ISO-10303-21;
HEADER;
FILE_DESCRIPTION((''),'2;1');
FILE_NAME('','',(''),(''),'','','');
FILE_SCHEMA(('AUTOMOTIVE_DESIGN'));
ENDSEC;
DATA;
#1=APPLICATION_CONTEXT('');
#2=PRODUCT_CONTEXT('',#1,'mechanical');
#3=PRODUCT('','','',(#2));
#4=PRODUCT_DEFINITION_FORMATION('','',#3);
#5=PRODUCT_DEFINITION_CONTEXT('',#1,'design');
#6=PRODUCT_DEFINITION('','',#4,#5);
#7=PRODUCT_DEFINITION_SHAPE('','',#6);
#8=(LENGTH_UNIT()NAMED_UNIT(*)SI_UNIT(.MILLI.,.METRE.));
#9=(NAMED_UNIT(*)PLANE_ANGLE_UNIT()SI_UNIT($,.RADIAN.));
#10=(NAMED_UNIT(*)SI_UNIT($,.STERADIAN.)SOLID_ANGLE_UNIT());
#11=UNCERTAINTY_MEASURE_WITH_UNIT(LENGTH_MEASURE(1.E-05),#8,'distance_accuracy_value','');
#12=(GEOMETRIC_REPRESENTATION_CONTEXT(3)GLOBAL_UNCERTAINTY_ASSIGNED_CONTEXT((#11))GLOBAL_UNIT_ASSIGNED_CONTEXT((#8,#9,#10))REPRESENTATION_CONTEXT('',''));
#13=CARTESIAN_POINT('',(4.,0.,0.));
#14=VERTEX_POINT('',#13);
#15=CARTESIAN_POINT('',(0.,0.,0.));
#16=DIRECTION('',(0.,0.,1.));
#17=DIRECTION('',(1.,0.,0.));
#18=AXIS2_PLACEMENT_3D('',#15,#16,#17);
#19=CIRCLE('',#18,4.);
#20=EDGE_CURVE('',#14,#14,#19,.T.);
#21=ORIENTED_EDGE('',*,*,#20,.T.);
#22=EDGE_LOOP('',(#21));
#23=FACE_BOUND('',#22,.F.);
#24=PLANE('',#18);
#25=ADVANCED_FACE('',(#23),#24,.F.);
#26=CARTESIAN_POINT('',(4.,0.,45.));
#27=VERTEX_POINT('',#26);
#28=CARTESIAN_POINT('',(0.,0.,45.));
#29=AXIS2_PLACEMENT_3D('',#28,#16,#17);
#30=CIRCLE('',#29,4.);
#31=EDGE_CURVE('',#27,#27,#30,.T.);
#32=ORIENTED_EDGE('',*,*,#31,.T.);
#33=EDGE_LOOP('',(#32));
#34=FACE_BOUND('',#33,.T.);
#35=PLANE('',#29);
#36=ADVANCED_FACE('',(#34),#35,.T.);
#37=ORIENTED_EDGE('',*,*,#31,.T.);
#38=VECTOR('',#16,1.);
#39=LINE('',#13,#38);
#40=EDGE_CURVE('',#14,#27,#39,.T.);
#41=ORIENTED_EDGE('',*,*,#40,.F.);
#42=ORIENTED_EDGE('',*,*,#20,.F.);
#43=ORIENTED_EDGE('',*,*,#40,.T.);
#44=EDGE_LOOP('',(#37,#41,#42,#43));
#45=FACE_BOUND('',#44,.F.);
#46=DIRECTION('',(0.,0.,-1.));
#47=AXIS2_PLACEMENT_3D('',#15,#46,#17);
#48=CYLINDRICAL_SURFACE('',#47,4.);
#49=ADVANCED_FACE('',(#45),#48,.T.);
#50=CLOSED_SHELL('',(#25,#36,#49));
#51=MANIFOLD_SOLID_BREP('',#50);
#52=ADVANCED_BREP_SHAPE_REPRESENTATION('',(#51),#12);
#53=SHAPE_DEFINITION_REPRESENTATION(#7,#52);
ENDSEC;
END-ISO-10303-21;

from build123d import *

# Parameters (mm, degrees)
SKETCH_1_R      = 4
EXTRUDE_1_DEPTH = 45


with BuildPart() as part:
    # 草图1 → 凸台-拉伸1 (new body)
    with BuildSketch(Plane.XY):
        Circle(SKETCH_1_R)
    extrude(amount=EXTRUDE_1_DEPTH)


solid = part.part
